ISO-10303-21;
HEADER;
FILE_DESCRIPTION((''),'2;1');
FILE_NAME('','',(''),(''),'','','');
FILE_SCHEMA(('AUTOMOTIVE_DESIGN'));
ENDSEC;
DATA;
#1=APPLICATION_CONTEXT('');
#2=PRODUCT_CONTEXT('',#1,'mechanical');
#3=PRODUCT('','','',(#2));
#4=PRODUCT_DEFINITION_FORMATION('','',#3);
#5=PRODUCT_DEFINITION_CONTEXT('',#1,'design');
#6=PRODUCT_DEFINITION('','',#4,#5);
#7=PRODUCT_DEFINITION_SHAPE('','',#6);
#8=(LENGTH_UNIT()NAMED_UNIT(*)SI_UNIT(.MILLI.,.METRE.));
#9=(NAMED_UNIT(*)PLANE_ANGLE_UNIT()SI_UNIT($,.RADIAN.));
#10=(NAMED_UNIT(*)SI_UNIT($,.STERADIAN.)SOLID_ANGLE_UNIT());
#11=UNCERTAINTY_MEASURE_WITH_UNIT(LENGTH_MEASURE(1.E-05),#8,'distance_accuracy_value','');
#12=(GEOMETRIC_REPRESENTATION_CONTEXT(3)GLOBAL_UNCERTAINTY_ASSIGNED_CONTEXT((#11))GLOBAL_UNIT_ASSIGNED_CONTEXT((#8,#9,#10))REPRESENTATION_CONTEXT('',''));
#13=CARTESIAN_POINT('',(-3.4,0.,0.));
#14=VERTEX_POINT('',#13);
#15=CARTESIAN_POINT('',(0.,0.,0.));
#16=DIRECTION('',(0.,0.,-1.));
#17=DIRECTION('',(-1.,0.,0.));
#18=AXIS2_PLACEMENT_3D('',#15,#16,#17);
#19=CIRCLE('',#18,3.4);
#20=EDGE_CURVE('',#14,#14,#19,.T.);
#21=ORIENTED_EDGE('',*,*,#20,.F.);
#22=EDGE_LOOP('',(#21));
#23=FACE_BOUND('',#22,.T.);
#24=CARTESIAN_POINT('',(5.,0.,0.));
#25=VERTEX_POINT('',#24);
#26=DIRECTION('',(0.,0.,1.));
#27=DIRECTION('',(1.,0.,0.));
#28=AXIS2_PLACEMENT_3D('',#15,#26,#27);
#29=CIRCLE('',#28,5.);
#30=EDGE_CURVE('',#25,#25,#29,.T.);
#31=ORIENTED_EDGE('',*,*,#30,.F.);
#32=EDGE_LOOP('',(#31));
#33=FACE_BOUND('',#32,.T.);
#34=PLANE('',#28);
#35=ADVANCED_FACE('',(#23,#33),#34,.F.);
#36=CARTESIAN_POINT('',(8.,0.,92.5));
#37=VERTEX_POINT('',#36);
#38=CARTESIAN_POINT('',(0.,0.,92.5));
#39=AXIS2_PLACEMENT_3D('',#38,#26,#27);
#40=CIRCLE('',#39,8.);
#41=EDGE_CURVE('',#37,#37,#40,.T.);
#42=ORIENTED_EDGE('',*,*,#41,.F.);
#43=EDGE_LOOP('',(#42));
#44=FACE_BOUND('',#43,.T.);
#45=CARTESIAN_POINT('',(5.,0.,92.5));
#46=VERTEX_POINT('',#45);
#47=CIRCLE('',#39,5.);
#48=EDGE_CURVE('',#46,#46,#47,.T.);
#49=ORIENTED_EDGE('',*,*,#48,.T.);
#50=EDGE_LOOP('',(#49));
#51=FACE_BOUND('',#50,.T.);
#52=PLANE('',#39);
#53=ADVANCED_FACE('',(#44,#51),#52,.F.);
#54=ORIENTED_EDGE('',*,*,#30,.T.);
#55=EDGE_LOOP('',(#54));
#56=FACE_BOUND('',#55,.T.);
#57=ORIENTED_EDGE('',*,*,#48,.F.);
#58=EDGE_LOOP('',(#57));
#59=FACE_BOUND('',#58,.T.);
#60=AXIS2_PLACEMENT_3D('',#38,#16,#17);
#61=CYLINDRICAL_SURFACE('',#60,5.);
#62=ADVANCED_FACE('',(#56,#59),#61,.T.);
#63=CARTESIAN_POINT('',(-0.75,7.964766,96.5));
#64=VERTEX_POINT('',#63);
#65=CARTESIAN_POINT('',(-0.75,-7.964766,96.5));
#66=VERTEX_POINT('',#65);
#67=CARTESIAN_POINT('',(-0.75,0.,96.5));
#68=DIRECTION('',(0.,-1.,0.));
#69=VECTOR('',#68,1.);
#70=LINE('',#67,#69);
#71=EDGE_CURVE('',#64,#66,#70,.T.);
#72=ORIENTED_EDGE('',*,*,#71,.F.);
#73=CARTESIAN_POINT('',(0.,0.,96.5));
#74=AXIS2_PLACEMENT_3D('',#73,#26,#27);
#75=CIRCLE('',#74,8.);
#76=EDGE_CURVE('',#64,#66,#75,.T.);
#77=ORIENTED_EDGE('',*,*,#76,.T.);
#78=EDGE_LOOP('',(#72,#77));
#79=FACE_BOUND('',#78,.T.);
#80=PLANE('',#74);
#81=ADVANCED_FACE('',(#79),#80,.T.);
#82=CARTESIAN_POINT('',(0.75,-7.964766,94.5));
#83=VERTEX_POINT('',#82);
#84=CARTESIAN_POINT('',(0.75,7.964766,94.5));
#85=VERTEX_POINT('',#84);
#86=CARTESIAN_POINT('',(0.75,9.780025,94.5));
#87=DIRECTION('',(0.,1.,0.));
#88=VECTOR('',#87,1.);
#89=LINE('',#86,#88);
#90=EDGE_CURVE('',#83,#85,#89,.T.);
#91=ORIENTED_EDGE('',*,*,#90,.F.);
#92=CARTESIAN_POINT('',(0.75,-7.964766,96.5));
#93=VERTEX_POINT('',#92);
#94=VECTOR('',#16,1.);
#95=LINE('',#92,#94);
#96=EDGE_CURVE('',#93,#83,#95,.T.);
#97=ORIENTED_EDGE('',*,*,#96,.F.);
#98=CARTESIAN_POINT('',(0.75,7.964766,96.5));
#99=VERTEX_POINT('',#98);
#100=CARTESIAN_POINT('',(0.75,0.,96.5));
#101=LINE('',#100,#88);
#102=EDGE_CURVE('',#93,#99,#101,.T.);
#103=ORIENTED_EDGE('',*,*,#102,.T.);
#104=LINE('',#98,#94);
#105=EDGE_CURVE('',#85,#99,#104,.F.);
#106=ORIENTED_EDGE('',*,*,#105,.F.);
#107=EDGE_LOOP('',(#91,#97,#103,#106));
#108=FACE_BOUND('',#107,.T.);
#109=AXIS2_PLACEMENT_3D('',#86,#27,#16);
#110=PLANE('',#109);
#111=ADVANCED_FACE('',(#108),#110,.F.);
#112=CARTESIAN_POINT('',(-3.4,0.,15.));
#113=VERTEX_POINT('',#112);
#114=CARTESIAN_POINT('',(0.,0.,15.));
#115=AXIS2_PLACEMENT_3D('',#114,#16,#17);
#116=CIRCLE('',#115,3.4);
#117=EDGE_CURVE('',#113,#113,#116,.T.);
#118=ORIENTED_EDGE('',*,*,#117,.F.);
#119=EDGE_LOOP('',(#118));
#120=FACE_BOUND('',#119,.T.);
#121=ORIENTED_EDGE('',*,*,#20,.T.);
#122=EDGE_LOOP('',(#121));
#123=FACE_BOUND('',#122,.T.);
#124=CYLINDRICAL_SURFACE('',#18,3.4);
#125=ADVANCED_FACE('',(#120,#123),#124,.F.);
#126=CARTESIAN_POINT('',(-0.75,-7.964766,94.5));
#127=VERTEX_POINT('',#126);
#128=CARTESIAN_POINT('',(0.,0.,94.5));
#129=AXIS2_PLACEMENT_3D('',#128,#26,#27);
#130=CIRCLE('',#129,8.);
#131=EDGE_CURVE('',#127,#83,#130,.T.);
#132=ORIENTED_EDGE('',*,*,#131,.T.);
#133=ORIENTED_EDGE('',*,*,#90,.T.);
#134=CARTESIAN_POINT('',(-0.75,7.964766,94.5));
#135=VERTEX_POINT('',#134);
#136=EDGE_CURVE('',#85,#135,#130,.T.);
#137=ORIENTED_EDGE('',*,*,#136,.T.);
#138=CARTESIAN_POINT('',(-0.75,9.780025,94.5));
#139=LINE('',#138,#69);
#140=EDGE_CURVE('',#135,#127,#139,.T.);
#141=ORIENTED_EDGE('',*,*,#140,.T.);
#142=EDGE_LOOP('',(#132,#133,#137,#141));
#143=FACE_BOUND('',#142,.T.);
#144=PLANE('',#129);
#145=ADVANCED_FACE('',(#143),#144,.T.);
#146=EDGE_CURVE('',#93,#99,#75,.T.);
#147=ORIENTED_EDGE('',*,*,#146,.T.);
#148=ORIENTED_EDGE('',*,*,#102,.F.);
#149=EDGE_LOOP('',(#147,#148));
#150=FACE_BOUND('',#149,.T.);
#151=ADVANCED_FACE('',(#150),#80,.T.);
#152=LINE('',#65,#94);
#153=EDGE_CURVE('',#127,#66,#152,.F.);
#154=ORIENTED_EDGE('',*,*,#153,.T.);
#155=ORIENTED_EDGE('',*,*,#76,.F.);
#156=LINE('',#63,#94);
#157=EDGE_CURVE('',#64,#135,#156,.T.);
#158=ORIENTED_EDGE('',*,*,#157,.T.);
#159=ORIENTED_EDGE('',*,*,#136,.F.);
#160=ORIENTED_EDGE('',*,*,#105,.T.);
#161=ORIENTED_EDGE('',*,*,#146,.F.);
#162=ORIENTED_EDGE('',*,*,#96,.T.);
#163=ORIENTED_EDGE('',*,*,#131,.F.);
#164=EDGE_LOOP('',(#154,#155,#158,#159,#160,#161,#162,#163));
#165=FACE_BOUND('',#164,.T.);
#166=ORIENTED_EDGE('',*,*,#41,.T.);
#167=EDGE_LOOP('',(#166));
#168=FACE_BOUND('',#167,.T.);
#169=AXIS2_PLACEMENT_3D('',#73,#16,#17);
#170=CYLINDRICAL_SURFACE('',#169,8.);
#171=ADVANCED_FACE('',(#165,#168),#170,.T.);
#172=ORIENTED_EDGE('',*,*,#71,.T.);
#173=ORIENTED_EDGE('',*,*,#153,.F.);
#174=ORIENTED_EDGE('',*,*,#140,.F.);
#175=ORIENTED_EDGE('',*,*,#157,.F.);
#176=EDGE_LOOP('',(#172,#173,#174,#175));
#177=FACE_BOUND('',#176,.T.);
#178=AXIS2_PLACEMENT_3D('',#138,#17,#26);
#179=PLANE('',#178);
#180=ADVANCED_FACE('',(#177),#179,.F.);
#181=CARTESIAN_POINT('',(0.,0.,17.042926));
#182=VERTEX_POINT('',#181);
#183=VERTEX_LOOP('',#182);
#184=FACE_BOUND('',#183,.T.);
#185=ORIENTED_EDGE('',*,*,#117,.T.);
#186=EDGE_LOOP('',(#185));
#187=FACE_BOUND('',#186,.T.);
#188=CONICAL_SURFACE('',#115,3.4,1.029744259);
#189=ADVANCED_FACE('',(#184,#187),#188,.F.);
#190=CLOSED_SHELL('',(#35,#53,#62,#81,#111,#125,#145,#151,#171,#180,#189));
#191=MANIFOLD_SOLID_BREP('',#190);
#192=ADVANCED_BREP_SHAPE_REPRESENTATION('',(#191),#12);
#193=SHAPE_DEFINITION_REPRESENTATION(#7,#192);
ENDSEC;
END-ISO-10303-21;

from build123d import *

# Parameters (mm, degrees)
SKETCH_1_R             = 5
EXTRUDE_1_DEPTH        = 92.5
SKETCH_2_R             = 8
EXTRUDE_2_DEPTH        = 4
SKETCH_4_W             = 1.5
SKETCH_4_H             = 19.56005024
CUT_EXTRUDE_1_DEPTH    = 2
HOLE_WIZARD_M8_1_D     = 6.8
HOLE_WIZARD_M8_1_DEPTH = 15
HOLE_WIZARD_M8_1_TIP   = 2.042926105


with BuildPart() as part:
    # 草图1 → 凸台-拉伸1 (new body)
    with BuildSketch(Plane.XY):
        Circle(SKETCH_1_R)
    extrude(amount=EXTRUDE_1_DEPTH)

    # 草图2 → 凸台-拉伸2 (add)
    with BuildSketch(Plane.XY.offset(92.5)):
        Circle(SKETCH_2_R)
    extrude(amount=EXTRUDE_2_DEPTH)

    # 草图4 → 切除-拉伸1 (cut)
    with BuildSketch(Plane.XY.offset(96.5)):
        Rectangle(SKETCH_4_W, SKETCH_4_H)
    extrude(amount=-CUT_EXTRUDE_1_DEPTH, mode=Mode.SUBTRACT)

    # M8 螺纹孔的螺纹孔钻头1
    with Locations(Plane(origin=(0, 0, 0), x_dir=(-1, 0, 0), z_dir=(0, 0, -1))):
        with Locations((0, 0)):
            Hole(HOLE_WIZARD_M8_1_D / 2, depth=HOLE_WIZARD_M8_1_DEPTH)
            with Locations((0, 0, -(HOLE_WIZARD_M8_1_DEPTH + HOLE_WIZARD_M8_1_TIP / 2))):  # 118° drill point
                Cone(0, HOLE_WIZARD_M8_1_D / 2, HOLE_WIZARD_M8_1_TIP, mode=Mode.SUBTRACT)


solid = part.part
